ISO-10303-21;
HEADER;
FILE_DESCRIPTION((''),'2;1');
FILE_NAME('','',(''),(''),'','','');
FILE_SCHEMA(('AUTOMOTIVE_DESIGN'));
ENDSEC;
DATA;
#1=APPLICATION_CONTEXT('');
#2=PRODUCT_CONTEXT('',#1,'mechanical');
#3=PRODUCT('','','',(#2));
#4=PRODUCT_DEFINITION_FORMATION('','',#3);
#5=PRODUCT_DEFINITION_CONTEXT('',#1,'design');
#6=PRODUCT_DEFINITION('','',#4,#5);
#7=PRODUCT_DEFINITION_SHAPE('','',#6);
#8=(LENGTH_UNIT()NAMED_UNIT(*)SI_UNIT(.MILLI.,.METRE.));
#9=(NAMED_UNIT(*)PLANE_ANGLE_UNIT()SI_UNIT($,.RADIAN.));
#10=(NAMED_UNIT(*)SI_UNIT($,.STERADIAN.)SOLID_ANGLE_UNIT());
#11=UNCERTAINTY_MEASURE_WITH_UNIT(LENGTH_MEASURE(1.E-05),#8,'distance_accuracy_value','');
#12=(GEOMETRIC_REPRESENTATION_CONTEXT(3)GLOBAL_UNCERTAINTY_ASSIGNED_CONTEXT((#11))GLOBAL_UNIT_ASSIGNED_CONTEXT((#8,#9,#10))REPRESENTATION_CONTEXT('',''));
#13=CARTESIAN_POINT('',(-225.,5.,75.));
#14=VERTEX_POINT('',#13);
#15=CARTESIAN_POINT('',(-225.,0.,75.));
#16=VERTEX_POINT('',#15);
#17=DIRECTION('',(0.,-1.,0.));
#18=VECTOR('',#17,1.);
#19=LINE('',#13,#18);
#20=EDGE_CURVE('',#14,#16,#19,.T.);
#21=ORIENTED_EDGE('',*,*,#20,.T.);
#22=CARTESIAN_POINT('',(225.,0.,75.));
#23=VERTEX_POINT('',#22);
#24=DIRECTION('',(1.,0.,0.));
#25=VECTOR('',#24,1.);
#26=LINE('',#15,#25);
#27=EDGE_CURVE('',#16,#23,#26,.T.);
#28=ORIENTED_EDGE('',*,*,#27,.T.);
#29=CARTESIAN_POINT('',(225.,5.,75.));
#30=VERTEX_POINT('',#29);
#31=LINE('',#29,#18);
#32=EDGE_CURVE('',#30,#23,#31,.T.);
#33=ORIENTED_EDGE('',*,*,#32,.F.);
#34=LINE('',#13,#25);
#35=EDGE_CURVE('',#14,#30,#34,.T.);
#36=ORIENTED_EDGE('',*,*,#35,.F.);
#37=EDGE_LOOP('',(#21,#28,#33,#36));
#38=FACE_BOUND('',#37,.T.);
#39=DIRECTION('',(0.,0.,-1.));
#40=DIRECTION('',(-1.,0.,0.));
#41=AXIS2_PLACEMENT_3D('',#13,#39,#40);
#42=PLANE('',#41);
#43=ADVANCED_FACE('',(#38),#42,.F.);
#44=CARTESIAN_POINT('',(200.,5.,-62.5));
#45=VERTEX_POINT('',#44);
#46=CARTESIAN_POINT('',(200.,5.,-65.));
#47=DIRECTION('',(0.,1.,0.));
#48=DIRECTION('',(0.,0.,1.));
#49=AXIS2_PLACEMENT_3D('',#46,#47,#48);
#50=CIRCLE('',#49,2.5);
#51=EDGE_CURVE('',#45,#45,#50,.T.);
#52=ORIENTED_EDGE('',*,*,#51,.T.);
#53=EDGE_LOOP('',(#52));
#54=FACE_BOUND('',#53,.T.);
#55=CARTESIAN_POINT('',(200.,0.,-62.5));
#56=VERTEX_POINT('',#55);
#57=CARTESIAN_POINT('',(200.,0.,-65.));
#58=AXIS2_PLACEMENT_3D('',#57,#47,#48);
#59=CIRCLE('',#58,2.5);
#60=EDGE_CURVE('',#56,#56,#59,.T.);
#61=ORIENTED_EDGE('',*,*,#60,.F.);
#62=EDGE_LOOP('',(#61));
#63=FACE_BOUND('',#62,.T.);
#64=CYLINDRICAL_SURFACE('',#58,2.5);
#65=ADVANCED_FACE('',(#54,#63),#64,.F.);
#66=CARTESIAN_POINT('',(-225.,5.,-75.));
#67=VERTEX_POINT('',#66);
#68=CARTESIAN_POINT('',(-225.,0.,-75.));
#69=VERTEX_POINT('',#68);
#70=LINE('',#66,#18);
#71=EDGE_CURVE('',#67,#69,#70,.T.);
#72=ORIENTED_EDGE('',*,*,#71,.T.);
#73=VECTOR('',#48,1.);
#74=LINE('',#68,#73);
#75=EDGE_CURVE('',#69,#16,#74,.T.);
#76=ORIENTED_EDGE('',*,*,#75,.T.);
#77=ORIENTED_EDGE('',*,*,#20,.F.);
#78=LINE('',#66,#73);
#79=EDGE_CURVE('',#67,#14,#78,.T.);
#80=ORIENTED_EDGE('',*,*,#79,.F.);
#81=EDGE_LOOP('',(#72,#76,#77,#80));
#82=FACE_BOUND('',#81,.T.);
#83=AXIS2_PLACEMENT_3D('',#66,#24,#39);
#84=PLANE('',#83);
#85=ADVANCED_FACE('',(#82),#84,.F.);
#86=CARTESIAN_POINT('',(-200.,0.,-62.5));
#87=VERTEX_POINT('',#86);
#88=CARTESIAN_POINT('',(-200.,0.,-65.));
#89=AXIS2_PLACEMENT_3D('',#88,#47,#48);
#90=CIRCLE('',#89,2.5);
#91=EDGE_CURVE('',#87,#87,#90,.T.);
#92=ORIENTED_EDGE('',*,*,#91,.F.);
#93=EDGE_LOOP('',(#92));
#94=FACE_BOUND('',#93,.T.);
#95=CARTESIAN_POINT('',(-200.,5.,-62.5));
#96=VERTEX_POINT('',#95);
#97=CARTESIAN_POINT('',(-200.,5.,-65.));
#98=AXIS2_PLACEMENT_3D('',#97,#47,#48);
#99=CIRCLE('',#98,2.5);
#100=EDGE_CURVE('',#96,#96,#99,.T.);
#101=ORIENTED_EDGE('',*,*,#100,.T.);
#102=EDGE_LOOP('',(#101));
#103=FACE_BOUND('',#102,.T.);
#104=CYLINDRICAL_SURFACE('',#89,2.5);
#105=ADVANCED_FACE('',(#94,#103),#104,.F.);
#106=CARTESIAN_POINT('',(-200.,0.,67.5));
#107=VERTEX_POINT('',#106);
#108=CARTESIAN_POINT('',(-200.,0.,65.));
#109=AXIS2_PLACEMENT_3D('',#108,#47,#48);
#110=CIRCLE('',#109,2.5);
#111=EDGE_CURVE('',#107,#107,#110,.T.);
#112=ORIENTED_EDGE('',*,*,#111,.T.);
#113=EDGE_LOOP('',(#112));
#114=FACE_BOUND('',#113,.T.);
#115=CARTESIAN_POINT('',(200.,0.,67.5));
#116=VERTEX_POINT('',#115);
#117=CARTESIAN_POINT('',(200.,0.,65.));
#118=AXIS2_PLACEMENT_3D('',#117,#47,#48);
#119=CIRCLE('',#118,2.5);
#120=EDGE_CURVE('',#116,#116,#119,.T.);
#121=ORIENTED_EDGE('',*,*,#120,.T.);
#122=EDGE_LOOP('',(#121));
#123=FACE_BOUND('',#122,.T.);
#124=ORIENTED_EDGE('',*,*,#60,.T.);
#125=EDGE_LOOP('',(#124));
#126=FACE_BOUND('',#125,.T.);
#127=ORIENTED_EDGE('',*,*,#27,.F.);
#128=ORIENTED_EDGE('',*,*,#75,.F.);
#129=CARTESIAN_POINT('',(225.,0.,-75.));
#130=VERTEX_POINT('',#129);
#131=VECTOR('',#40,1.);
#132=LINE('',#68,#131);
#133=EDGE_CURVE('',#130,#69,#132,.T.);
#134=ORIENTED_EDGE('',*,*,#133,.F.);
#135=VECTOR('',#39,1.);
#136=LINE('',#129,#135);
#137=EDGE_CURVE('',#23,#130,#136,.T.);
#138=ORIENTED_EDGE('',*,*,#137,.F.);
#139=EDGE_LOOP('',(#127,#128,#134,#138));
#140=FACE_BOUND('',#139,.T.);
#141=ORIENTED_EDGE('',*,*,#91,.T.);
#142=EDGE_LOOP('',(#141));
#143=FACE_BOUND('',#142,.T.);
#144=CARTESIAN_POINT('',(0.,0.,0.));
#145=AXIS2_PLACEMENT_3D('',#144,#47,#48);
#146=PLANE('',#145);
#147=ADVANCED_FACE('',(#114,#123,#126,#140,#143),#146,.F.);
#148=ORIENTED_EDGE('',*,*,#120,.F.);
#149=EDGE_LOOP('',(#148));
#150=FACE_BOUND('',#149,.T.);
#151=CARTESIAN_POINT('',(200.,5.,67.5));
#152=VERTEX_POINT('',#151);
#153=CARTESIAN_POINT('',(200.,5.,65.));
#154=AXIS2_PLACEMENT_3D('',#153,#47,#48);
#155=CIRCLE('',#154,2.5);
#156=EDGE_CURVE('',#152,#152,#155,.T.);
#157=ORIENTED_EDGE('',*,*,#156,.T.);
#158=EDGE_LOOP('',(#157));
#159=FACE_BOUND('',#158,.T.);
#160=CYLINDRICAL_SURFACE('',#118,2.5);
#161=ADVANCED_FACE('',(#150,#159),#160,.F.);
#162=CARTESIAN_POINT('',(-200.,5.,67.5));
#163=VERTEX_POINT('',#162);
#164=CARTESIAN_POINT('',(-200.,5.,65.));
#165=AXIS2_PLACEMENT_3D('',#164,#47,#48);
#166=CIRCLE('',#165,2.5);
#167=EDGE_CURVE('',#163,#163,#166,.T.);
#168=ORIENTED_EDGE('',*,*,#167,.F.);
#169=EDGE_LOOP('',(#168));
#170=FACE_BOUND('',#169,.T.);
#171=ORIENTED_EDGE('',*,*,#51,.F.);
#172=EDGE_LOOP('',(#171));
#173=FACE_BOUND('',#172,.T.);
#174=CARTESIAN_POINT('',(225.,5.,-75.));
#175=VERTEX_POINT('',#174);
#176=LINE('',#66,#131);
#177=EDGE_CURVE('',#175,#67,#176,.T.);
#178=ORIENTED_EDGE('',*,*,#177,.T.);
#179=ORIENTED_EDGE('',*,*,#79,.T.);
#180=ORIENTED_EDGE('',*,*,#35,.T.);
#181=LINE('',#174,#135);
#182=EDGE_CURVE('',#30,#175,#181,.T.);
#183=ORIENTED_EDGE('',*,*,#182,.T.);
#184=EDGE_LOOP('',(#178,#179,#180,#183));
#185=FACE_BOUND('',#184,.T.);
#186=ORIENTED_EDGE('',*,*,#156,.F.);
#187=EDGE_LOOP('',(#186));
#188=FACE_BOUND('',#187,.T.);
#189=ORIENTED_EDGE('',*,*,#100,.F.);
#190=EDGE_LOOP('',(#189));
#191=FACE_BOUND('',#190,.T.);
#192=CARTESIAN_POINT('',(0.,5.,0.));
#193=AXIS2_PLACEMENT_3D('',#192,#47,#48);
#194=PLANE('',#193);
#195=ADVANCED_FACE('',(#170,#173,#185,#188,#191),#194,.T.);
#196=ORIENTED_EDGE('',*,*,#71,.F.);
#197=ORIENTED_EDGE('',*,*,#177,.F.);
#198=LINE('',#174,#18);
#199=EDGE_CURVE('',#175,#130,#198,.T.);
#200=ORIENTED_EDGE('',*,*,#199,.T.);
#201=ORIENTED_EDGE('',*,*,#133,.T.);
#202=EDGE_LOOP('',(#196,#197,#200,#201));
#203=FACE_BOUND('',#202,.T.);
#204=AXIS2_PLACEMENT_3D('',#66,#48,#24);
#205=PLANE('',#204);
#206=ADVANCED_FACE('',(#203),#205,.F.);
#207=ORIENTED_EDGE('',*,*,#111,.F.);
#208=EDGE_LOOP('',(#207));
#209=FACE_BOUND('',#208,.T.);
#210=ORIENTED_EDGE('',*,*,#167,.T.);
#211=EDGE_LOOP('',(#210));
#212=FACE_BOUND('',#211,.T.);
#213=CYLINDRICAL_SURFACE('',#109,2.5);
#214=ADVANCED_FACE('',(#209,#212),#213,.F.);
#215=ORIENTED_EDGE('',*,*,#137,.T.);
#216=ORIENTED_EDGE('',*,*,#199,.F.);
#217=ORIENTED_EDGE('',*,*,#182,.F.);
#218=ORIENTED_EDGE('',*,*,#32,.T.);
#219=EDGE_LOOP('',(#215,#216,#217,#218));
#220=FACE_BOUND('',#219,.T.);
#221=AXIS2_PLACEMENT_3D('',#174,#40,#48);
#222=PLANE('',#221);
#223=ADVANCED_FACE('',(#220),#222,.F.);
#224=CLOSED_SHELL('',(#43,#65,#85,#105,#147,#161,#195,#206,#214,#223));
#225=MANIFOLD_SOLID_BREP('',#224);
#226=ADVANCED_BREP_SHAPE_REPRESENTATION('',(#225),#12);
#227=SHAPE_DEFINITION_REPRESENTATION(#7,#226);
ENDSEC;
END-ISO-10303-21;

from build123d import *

# Parameters (mm, degrees)
SKETCH1_W           = 450
SKETCH1_H           = 150
BOSS_EXTRUDE1_DEPTH = 5
SKETCH2_R           = 2.5
CUT_EXTRUDE1_DEPTH  = 238.223523286


with BuildPart() as part:
    # Sketch1 → Boss-Extrude1 (new body)
    with BuildSketch(Plane(origin=(0, 0, 0), x_dir=(1, 0, 0), z_dir=(0, 1, 0))):
        Rectangle(SKETCH1_W, SKETCH1_H)
    extrude(amount=BOSS_EXTRUDE1_DEPTH)

    # Sketch2 → Cut-Extrude1 (cut, through all)
    with BuildSketch(Plane(origin=(0, 5, 0), x_dir=(1, 0, 0), z_dir=(0, 1, 0))):
        with Locations(Location((-200, 65, 0), (0, 0, 270))):
            Circle(SKETCH2_R)
        with Locations(Location((-200, -65, 0), (0, 0, 270))):
            Circle(SKETCH2_R)
        with Locations(Location((200, 65, 0), (0, 0, 270))):
            Circle(SKETCH2_R)
        with Locations(Location((200, -65, 0), (0, 0, 270))):
            Circle(SKETCH2_R)
    extrude(amount=-CUT_EXTRUDE1_DEPTH, mode=Mode.SUBTRACT)


solid = part.part
